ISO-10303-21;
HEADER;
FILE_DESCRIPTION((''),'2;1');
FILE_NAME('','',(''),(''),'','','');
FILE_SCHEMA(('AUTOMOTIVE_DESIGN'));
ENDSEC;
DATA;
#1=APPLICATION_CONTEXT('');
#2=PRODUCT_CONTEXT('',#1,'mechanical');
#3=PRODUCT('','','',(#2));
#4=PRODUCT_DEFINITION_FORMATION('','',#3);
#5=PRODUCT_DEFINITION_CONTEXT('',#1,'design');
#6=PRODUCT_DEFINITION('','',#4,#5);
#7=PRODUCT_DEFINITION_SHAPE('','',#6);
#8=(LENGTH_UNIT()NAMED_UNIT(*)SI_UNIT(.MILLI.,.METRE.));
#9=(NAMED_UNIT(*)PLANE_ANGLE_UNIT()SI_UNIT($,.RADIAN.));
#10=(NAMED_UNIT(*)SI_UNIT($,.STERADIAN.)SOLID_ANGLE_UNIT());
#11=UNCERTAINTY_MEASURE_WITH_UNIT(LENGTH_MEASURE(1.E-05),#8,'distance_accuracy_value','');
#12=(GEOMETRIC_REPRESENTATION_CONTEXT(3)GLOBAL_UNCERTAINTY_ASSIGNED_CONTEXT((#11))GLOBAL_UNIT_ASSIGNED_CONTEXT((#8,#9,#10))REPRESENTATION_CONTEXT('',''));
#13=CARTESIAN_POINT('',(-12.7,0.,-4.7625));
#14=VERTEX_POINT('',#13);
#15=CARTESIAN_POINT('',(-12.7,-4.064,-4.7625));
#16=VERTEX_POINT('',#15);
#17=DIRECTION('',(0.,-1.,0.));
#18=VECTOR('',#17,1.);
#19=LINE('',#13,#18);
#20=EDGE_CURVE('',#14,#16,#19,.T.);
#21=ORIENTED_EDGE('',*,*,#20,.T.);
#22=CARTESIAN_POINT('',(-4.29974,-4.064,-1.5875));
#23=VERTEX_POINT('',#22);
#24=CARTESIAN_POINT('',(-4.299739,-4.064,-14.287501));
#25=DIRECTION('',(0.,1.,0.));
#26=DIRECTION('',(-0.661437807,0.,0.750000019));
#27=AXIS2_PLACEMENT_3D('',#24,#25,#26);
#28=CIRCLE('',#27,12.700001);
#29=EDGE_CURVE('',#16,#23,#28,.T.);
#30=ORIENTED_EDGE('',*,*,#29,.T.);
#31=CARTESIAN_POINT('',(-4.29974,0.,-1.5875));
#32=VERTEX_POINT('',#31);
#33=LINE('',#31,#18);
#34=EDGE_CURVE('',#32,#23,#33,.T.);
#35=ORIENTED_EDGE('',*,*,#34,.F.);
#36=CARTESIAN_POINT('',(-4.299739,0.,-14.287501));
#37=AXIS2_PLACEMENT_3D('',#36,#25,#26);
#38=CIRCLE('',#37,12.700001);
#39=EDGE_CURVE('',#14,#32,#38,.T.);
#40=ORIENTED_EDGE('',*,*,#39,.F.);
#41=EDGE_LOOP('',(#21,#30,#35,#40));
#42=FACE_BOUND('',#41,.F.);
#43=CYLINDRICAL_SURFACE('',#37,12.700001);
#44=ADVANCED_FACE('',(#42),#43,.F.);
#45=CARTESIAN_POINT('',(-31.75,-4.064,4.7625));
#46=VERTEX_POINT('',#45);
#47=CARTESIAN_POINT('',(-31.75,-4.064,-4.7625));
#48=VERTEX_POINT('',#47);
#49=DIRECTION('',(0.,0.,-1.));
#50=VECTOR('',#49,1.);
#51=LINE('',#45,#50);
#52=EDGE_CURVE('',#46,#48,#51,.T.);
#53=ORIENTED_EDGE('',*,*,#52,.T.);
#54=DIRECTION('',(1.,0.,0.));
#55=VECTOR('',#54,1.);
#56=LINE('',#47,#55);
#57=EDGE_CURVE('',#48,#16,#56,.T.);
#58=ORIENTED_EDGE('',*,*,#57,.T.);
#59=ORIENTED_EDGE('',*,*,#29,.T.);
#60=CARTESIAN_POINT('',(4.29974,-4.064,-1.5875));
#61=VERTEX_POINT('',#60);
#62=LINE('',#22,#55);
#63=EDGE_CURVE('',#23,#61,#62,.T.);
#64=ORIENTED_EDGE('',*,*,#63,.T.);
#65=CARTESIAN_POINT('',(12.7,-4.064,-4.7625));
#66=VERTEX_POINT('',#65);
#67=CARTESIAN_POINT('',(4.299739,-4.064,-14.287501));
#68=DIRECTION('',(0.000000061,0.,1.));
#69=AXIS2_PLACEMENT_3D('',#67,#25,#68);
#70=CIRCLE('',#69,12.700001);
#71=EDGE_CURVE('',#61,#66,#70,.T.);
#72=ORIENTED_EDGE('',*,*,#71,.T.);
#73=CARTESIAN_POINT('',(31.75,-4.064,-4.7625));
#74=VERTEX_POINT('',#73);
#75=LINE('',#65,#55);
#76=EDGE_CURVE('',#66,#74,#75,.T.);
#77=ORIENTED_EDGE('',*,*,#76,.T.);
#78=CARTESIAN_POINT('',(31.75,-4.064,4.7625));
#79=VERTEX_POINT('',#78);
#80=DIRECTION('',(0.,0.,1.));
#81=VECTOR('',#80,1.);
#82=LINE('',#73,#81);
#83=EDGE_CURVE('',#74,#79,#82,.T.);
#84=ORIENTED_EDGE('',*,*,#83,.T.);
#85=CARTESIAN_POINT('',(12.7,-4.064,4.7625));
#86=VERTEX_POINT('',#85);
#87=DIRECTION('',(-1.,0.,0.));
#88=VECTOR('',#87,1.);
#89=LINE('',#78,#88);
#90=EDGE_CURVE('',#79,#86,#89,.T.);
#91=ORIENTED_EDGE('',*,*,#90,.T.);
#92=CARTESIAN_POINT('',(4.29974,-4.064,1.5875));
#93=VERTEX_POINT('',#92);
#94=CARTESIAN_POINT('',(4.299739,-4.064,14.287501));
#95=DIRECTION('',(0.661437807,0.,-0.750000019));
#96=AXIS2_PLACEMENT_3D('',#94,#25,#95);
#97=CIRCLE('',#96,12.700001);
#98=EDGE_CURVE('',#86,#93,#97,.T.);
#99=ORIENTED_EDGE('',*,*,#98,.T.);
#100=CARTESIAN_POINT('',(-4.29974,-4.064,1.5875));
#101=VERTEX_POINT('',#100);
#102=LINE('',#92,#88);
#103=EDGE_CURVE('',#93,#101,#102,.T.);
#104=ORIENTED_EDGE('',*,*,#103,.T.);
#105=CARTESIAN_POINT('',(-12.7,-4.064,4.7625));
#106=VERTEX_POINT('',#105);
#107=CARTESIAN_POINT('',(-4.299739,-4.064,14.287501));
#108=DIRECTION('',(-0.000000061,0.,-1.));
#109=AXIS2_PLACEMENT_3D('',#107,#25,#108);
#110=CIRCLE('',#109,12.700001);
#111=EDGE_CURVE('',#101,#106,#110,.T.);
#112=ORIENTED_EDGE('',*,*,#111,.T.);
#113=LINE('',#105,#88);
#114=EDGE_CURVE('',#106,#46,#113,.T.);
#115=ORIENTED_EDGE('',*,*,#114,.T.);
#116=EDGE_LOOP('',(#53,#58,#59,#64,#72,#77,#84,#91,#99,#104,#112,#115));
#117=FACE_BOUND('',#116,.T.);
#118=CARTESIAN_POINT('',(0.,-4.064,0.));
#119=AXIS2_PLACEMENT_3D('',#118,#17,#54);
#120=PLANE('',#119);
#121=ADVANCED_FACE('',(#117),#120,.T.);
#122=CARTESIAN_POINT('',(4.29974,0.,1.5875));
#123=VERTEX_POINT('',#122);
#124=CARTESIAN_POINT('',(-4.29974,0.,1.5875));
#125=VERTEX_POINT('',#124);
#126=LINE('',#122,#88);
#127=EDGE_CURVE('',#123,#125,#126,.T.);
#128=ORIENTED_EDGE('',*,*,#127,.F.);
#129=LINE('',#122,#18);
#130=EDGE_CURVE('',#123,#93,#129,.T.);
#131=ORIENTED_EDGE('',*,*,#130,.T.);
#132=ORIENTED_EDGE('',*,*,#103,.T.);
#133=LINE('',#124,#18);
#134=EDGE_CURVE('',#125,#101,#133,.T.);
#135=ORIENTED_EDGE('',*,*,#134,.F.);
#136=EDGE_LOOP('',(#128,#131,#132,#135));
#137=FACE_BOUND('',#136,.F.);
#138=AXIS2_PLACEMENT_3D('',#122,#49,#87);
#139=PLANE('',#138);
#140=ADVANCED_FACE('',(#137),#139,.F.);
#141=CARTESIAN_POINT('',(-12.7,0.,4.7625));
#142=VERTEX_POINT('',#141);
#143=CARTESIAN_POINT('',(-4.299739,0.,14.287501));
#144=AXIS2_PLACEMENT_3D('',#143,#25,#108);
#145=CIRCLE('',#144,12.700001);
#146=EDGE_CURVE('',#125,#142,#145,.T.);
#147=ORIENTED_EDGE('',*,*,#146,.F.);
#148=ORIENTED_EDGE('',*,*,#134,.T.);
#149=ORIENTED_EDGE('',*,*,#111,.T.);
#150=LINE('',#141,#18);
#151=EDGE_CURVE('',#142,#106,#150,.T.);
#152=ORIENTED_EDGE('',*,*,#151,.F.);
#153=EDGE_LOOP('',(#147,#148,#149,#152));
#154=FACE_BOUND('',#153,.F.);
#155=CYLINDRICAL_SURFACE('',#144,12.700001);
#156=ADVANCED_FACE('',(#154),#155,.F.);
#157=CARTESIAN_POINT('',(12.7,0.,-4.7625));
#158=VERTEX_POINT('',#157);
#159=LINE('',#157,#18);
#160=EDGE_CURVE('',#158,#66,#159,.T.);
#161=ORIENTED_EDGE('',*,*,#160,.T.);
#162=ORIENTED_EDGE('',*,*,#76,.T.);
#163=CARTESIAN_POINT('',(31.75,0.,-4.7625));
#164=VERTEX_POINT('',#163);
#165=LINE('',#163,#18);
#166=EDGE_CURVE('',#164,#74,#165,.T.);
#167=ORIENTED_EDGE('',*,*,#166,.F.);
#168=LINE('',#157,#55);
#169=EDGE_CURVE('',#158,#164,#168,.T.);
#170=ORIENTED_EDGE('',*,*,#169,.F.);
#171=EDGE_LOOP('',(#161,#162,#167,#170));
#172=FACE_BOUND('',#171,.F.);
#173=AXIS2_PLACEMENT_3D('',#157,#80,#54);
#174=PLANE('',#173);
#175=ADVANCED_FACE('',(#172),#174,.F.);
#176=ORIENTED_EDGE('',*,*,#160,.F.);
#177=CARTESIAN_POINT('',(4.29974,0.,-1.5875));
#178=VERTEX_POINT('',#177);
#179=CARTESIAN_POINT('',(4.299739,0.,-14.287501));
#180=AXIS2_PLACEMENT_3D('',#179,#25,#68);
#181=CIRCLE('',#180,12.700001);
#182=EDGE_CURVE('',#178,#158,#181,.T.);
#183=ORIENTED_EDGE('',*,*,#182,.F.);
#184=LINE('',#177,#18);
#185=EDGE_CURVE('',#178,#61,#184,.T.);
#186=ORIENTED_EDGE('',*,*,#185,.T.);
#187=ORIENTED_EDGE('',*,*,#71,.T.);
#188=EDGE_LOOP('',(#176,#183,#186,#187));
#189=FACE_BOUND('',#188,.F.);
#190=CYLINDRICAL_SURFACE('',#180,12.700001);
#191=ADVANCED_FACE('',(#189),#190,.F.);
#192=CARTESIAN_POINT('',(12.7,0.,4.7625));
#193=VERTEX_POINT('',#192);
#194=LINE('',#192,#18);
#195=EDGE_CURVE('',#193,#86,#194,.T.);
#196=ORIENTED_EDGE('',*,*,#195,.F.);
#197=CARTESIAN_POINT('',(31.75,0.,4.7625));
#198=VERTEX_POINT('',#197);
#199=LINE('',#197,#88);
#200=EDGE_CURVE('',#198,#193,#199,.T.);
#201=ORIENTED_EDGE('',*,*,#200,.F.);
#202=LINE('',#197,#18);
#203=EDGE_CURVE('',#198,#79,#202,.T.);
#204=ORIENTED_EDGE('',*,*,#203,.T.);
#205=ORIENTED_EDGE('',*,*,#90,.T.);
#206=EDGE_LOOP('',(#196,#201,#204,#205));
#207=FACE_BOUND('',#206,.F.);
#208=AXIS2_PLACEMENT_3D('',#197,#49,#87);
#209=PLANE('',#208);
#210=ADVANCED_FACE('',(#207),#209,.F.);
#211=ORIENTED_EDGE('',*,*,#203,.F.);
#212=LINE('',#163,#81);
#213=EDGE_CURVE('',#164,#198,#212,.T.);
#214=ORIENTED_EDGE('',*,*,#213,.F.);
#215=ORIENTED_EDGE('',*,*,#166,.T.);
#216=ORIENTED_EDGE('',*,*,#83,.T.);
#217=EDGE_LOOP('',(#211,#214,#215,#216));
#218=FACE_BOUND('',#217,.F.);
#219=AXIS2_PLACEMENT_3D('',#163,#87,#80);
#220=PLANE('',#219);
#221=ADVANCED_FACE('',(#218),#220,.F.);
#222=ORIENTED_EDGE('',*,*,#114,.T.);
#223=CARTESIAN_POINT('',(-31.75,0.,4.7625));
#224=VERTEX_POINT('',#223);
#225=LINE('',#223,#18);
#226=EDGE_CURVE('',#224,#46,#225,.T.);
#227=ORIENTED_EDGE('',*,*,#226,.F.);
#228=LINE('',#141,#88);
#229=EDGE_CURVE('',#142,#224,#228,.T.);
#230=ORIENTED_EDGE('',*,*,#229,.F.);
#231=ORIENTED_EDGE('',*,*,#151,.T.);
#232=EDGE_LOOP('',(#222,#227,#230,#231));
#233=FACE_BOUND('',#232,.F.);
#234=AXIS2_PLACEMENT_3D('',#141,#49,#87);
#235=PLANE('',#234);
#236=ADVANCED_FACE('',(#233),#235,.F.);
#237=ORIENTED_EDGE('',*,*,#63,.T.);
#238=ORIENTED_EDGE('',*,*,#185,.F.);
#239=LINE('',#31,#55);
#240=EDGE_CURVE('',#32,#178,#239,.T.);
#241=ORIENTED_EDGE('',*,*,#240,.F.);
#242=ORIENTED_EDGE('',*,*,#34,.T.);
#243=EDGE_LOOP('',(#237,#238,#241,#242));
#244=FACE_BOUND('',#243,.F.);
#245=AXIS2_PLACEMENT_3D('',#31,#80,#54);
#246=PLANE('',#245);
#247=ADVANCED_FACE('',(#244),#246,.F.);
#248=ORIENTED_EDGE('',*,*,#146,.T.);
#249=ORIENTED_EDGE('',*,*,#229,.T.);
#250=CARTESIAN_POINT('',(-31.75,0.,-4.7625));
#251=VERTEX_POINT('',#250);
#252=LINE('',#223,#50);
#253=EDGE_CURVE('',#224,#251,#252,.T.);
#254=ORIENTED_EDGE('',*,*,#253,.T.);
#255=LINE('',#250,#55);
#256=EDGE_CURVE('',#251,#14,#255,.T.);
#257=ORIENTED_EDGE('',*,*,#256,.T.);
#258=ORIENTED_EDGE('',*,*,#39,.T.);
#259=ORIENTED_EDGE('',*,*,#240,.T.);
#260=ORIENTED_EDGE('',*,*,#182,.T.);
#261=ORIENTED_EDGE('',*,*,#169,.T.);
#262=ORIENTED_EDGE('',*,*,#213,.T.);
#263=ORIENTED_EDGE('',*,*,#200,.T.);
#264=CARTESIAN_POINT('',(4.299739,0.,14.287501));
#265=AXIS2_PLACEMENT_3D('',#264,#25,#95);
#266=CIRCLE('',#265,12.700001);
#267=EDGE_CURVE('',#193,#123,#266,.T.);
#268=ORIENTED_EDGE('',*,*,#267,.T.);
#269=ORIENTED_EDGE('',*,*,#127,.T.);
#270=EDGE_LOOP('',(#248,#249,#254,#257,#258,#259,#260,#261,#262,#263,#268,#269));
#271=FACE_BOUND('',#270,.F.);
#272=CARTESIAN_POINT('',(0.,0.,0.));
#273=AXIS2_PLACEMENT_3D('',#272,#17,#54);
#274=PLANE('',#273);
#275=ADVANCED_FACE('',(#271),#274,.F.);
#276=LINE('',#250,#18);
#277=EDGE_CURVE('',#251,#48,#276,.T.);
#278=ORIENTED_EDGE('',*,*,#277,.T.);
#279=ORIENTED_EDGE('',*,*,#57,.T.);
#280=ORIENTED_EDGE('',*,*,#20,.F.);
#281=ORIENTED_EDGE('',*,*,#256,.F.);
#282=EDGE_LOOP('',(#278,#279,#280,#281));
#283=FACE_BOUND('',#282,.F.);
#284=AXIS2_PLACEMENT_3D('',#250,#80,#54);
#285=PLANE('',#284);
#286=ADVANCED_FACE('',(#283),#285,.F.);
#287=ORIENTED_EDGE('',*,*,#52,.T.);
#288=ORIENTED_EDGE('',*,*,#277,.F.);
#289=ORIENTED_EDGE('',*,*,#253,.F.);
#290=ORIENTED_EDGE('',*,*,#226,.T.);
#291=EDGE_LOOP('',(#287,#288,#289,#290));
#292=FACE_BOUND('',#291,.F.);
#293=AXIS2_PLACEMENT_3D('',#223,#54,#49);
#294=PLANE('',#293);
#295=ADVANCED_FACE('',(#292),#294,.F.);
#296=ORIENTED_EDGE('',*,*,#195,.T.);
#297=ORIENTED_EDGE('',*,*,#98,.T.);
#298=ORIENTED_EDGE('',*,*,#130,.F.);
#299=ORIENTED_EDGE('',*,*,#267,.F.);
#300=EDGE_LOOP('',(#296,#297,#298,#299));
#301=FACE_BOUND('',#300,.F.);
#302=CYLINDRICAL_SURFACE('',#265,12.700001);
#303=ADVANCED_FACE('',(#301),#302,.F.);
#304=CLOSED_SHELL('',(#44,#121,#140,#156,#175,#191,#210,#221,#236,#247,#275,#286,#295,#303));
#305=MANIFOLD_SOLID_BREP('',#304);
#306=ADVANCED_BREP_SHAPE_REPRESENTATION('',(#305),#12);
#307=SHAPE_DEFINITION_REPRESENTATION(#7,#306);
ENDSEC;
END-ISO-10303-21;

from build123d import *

# Parameters (mm, degrees)
F1_DEPTH = 4.064


with BuildPart() as f1:
    # F0 (on Front) → F1 (new body)
    with BuildSketch(Plane.XZ):
        with BuildLine():
            Line((4.29974, 1.5875), (0, 1.5875))
            Line((0, 1.5875), (-4.29974, 1.5875))
            ThreePointArc((-4.29974, 1.5875), (-8.789868, 2.407738), (-12.7, 4.7625))
            Line((-12.7, 4.7625), (-31.75, 4.7625))
            Line((-31.75, 4.7625), (-31.75, 0))
            Line((-31.75, 0), (-31.75, -4.7625))
            Line((-31.75, -4.7625), (-12.7, -4.7625))
            ThreePointArc((-12.7, -4.7625), (-8.789868, -2.407738), (-4.29974, -1.5875))
            Line((-4.29974, -1.5875), (0, -1.5875))
            Line((0, -1.5875), (4.29974, -1.5875))
            ThreePointArc((4.29974, -1.5875), (8.789868, -2.407738), (12.7, -4.7625))
            Line((12.7, -4.7625), (31.75, -4.7625))
            Line((31.75, -4.7625), (31.75, 0))
            Line((31.75, 0), (31.75, 4.7625))
            Line((31.75, 4.7625), (12.7, 4.7625))
            ThreePointArc((12.7, 4.7625), (8.789868, 2.407738), (4.29974, 1.5875))
        make_face()
    extrude(amount=F1_DEPTH)


solid = f1.part
